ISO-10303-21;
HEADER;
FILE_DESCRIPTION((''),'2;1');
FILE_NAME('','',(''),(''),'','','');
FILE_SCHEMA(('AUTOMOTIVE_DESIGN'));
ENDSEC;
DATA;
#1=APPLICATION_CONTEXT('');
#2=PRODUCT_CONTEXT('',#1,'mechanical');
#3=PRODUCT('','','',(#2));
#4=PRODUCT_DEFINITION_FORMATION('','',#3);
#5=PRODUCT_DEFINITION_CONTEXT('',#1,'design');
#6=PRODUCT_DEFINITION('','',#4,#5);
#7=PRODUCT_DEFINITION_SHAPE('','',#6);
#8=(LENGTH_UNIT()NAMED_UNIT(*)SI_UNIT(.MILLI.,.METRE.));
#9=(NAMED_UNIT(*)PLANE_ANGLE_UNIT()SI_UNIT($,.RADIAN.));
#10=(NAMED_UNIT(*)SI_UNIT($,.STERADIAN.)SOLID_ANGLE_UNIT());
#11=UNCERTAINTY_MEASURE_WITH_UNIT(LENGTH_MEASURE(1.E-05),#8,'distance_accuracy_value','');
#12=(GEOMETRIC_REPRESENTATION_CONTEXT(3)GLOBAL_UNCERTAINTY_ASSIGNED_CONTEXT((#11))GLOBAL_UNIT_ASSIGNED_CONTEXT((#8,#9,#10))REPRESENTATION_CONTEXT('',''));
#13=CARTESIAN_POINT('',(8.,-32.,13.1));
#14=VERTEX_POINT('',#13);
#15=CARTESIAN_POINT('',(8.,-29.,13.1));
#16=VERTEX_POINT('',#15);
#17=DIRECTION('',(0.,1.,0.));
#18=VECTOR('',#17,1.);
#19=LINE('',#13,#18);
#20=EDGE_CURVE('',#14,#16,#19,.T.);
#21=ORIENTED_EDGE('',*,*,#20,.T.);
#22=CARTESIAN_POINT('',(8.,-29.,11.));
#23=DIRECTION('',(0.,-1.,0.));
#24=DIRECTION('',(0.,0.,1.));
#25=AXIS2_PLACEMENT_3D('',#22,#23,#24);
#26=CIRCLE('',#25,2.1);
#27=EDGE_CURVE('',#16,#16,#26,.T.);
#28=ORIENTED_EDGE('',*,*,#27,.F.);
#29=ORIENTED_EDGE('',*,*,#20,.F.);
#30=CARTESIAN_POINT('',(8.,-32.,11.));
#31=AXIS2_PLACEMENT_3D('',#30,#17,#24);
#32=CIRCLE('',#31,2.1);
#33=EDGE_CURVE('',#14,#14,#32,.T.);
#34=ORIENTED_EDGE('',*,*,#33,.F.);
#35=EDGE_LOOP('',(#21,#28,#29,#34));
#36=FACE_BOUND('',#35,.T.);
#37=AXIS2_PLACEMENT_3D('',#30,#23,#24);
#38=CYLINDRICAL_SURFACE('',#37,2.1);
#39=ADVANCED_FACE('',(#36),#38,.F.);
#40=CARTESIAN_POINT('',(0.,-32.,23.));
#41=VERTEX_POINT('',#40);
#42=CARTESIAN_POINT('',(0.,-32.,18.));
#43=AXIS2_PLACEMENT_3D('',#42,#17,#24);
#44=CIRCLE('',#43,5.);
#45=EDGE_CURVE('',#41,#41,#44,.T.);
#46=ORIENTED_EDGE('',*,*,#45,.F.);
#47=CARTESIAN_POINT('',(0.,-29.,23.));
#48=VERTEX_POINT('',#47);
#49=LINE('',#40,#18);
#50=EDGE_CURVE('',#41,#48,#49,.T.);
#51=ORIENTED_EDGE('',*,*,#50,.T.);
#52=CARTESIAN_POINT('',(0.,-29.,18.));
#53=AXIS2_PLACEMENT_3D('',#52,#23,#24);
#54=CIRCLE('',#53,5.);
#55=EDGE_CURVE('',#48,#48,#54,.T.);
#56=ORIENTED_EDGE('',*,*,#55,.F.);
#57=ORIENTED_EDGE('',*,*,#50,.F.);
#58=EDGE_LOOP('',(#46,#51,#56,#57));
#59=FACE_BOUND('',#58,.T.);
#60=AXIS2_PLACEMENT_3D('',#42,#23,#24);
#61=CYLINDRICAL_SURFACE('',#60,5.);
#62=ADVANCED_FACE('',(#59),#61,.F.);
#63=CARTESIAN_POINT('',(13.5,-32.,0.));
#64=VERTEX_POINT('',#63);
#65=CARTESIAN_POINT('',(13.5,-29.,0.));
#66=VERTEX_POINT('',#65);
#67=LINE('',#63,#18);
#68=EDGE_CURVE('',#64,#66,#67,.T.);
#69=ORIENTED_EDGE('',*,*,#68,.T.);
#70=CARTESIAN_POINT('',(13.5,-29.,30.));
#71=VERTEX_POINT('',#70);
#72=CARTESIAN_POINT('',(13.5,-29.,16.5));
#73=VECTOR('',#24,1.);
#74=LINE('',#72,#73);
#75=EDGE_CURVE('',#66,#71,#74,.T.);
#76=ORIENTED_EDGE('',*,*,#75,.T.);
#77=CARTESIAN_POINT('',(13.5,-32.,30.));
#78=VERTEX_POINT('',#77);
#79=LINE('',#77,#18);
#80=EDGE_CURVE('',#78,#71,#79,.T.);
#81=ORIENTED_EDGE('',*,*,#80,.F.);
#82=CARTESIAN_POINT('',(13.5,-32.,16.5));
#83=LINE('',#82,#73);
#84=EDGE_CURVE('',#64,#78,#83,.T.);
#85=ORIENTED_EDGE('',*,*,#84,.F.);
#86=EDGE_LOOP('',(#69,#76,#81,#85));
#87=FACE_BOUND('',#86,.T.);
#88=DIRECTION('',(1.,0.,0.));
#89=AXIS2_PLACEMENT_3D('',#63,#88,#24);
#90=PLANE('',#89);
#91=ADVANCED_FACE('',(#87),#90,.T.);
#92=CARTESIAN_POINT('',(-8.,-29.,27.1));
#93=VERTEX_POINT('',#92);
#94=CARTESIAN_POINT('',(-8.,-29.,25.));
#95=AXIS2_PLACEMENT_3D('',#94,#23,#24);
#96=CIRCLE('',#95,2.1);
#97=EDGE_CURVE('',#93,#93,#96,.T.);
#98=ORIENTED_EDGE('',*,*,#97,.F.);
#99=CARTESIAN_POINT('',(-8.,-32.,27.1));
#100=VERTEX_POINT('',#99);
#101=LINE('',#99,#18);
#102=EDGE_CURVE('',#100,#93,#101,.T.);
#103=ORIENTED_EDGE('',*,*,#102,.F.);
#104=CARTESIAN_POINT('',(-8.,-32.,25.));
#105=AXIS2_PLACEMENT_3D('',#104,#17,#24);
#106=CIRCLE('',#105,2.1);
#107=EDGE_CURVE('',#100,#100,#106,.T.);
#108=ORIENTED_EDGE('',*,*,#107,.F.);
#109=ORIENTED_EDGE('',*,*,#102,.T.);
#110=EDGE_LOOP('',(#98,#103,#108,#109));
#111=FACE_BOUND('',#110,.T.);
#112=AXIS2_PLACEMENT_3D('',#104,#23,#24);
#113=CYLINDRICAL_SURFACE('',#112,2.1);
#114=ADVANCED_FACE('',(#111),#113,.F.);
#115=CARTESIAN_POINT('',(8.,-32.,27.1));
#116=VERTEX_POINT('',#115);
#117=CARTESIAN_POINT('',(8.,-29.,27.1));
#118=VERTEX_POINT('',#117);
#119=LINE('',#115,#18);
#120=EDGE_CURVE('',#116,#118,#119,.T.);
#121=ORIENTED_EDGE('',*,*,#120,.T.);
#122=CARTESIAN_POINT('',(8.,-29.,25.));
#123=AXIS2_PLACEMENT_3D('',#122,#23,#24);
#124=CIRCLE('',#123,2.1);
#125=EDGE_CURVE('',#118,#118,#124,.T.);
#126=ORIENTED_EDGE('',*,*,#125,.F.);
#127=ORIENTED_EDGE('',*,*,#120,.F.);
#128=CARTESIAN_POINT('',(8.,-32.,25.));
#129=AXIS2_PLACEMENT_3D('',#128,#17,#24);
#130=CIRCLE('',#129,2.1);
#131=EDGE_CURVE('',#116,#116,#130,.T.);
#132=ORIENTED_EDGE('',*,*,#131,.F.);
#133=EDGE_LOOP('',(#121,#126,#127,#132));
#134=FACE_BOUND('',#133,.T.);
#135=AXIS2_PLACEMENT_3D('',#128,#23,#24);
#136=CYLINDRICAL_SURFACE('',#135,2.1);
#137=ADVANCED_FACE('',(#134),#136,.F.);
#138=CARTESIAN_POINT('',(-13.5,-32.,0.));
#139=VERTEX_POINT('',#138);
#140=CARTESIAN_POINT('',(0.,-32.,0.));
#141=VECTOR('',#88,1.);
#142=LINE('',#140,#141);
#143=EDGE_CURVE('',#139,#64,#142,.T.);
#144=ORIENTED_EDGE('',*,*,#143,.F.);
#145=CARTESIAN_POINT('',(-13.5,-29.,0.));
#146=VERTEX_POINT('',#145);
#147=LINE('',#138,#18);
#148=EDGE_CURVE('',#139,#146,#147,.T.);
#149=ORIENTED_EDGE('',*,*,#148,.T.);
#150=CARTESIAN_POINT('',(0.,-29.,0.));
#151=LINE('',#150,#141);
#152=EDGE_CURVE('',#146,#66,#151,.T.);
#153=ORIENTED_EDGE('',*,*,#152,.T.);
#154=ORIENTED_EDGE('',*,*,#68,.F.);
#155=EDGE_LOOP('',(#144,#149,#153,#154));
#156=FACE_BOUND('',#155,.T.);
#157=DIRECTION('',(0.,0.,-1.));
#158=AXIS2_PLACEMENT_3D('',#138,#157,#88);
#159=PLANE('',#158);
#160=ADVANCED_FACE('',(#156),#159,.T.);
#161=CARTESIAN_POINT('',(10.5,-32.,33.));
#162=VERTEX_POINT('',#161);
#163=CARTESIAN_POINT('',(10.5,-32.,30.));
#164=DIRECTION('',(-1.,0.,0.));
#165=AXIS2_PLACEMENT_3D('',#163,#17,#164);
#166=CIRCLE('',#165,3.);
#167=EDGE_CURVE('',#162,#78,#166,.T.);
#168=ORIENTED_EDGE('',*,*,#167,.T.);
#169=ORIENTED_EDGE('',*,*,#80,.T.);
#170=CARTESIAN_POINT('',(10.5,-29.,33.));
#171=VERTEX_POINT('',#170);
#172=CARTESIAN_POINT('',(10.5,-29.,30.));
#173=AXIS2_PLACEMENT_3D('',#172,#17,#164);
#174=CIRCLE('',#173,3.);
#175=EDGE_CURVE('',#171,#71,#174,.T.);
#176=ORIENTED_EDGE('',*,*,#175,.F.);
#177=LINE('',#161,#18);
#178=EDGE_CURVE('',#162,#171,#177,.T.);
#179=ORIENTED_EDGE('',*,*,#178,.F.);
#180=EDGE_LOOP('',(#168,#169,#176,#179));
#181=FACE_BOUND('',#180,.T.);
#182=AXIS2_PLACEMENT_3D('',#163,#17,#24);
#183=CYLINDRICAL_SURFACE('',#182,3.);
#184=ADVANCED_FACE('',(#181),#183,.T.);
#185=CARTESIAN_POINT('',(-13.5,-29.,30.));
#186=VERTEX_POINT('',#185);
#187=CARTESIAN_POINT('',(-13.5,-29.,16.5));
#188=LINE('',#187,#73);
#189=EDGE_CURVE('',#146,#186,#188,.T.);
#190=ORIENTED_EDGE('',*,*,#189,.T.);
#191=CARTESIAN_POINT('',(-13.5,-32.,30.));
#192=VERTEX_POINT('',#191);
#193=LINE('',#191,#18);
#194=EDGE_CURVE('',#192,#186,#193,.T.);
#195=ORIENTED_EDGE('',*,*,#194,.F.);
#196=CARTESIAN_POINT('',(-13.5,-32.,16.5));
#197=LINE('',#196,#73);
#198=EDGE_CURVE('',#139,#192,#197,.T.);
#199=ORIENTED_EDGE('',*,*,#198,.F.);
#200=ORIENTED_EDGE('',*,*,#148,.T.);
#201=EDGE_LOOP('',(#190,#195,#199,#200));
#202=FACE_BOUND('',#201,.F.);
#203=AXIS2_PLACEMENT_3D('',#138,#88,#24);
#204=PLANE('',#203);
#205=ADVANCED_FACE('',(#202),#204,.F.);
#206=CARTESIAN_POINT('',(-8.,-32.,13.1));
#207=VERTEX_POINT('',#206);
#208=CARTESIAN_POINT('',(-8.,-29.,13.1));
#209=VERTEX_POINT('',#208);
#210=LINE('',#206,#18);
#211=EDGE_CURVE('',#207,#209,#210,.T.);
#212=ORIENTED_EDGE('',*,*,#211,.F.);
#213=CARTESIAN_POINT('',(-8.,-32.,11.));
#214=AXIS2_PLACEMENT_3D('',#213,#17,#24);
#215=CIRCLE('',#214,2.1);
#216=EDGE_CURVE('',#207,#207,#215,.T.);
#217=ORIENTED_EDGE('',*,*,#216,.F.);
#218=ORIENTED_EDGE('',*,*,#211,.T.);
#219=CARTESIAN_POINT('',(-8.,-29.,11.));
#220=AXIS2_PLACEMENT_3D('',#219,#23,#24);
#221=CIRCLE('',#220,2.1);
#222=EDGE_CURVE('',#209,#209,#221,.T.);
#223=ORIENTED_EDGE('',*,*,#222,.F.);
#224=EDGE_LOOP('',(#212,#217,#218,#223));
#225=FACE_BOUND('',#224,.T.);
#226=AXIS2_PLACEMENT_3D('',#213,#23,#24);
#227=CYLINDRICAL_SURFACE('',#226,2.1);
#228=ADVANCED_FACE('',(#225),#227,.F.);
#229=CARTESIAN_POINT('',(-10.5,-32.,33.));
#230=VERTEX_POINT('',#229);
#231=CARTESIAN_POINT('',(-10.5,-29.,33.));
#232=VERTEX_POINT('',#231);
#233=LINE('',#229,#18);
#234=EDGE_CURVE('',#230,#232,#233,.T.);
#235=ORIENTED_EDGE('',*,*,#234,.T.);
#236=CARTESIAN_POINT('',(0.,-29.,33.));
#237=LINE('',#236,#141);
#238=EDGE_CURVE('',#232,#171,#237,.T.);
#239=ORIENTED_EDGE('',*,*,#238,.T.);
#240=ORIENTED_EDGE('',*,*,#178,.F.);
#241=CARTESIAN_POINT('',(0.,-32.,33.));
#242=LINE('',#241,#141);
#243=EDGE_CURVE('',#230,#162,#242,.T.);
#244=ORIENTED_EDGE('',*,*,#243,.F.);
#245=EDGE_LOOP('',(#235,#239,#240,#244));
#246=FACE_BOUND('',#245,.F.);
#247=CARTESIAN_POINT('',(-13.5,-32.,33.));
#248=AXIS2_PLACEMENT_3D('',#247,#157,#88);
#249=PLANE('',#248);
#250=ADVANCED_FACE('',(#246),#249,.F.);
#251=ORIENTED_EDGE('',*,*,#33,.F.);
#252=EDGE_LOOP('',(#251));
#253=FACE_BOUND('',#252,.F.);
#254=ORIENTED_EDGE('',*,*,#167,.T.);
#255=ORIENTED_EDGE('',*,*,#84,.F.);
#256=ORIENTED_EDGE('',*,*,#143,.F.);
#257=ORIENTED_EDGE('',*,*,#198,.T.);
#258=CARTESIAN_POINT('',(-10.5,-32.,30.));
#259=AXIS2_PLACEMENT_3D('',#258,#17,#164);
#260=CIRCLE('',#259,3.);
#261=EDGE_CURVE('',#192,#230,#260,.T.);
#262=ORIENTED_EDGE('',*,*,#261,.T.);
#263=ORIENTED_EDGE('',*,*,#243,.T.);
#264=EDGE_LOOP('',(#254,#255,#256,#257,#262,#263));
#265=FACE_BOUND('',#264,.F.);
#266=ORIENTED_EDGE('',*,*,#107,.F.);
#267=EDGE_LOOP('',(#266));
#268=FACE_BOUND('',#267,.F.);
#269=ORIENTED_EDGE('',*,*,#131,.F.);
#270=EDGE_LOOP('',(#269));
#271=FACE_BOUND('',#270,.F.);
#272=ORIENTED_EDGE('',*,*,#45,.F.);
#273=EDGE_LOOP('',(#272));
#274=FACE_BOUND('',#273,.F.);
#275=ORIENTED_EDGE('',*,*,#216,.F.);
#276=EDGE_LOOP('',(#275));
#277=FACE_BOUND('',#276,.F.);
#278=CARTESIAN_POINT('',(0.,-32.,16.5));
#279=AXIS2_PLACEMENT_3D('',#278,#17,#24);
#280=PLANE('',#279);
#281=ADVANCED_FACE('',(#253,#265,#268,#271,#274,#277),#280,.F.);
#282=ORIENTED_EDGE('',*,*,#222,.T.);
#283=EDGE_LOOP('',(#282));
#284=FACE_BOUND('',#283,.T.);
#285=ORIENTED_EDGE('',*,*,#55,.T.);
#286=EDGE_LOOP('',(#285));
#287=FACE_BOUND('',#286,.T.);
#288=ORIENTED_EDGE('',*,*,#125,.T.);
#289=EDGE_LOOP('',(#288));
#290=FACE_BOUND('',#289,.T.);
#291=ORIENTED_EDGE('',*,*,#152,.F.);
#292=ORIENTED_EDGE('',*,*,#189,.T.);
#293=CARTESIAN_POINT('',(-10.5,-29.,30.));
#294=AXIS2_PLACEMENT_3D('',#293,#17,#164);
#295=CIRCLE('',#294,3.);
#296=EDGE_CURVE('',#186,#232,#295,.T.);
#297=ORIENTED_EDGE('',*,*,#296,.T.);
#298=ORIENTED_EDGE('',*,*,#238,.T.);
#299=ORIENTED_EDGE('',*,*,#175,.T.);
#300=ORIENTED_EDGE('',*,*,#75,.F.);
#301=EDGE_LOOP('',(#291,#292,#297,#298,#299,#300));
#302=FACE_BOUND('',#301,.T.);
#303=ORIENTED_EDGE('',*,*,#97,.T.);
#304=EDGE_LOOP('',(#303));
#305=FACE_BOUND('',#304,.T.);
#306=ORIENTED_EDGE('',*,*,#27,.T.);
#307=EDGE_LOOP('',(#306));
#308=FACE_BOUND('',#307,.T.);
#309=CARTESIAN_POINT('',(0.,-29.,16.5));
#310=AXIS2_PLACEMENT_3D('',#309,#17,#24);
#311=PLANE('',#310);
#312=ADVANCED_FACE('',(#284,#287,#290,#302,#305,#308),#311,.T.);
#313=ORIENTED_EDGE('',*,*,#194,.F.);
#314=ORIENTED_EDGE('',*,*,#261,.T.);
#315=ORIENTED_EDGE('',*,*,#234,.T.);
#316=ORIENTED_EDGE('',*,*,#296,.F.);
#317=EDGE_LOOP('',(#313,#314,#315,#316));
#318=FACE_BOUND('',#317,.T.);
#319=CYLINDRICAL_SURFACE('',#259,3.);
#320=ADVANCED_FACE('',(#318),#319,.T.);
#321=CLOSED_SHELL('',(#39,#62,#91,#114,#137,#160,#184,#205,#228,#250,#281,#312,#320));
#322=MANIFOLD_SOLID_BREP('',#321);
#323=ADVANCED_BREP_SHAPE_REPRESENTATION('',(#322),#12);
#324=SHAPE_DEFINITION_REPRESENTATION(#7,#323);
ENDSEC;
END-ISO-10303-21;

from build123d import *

# Parameters (mm, degrees)
CYLINDER008_R          = 5
CYLINDER008_DEPTH      = 10
CYLINDER007_R          = 2.1
CYLINDER007_DEPTH      = 10
ARRAY001_X_COUNT       = 2
ARRAY001_X_PITCH       = 14
ARRAY001_Y_COUNT       = 2
ARRAY001_Y_PITCH       = 16
BOX006_W               = 33
BOX006_H               = 27
BOX006_DEPTH           = 3
FILLET002_R            = 3
CUT004_PITCH_ANGLE     = -90
CUT004_PLACEMENT_ANGLE = -90


with BuildPart() as motor_holder_central_hole:
    # Cylinder008 → Cylinder008 (new body)
    with BuildSketch(Plane(origin=(18, 13.5, 0), x_dir=(1, 0, 0), z_dir=(0, 0, 1))):
        Circle(CYLINDER008_R)
    extrude(amount=CYLINDER008_DEPTH)


with BuildPart() as hole_extract:
    # Cylinder007 → Cylinder007 (new body)
    with BuildSketch(Plane.XY):
        Circle(CYLINDER007_R)
    extrude(amount=CYLINDER007_DEPTH)

    # Array001 X: hole extract ×2


with BuildPart() as hole_extract_1:
    add(hole_extract.part)
    with Locations(*[(i * ARRAY001_X_PITCH, 0, 0) for i in range(1, ARRAY001_X_COUNT)]):
        add(hole_extract.part)

    # Array001 Y: hole extract ×2


with BuildPart() as hole_extract_2:
    add(hole_extract_1.part)
    with Locations(*[(0, i * ARRAY001_Y_PITCH, 0) for i in range(1, ARRAY001_Y_COUNT)]):
        add(hole_extract_1.part)


with BuildPart() as hole_extract_3:
    # Array001 placement: moved
    add(hole_extract_2.part.moved(Location((11, 5.5, 0))))

    # Fusion008: union motor holder central hole
    add(motor_holder_central_hole.part)


with BuildPart() as motor_holder_cut001:
    # Box006 → Box006 (new body)
    with BuildSketch(Plane.XY):
        with Locations((16.5, 13.5)):
            Rectangle(BOX006_W, BOX006_H)
    extrude(amount=BOX006_DEPTH)

    # Fillet002
    fillet002_edges = [motor_holder_cut001.edges().sort_by_distance(p)[0] for p in [
        (33, 0, 1.5),
        (33, 27, 1.5),
    ]]
    fillet(fillet002_edges, radius=FILLET002_R)

    # Cut004: cut hole extract
    add(hole_extract_3.part, mode=Mode.SUBTRACT)


with BuildPart() as motor_holder_cut001_1:
    # Cut004 pitch: moved
    add(motor_holder_cut001.part.rotate(Axis((0, 0, 0), (0, 1, 0)), CUT004_PITCH_ANGLE))


with BuildPart() as motor_holder_cut001_2:
    # Cut004 placement: moved
    add(motor_holder_cut001_1.part.moved(Location((-13.5, -34, 0))).rotate(Axis((-13.5, -34, 0), (0, 0, 1)), CUT004_PLACEMENT_ANGLE))


with BuildPart() as motor_holder_cut001_3:
    # Cut004001 placement: moved
    add(motor_holder_cut001_2.part.moved(Location((0, 2, 0))))


solid = motor_holder_cut001_3.part
